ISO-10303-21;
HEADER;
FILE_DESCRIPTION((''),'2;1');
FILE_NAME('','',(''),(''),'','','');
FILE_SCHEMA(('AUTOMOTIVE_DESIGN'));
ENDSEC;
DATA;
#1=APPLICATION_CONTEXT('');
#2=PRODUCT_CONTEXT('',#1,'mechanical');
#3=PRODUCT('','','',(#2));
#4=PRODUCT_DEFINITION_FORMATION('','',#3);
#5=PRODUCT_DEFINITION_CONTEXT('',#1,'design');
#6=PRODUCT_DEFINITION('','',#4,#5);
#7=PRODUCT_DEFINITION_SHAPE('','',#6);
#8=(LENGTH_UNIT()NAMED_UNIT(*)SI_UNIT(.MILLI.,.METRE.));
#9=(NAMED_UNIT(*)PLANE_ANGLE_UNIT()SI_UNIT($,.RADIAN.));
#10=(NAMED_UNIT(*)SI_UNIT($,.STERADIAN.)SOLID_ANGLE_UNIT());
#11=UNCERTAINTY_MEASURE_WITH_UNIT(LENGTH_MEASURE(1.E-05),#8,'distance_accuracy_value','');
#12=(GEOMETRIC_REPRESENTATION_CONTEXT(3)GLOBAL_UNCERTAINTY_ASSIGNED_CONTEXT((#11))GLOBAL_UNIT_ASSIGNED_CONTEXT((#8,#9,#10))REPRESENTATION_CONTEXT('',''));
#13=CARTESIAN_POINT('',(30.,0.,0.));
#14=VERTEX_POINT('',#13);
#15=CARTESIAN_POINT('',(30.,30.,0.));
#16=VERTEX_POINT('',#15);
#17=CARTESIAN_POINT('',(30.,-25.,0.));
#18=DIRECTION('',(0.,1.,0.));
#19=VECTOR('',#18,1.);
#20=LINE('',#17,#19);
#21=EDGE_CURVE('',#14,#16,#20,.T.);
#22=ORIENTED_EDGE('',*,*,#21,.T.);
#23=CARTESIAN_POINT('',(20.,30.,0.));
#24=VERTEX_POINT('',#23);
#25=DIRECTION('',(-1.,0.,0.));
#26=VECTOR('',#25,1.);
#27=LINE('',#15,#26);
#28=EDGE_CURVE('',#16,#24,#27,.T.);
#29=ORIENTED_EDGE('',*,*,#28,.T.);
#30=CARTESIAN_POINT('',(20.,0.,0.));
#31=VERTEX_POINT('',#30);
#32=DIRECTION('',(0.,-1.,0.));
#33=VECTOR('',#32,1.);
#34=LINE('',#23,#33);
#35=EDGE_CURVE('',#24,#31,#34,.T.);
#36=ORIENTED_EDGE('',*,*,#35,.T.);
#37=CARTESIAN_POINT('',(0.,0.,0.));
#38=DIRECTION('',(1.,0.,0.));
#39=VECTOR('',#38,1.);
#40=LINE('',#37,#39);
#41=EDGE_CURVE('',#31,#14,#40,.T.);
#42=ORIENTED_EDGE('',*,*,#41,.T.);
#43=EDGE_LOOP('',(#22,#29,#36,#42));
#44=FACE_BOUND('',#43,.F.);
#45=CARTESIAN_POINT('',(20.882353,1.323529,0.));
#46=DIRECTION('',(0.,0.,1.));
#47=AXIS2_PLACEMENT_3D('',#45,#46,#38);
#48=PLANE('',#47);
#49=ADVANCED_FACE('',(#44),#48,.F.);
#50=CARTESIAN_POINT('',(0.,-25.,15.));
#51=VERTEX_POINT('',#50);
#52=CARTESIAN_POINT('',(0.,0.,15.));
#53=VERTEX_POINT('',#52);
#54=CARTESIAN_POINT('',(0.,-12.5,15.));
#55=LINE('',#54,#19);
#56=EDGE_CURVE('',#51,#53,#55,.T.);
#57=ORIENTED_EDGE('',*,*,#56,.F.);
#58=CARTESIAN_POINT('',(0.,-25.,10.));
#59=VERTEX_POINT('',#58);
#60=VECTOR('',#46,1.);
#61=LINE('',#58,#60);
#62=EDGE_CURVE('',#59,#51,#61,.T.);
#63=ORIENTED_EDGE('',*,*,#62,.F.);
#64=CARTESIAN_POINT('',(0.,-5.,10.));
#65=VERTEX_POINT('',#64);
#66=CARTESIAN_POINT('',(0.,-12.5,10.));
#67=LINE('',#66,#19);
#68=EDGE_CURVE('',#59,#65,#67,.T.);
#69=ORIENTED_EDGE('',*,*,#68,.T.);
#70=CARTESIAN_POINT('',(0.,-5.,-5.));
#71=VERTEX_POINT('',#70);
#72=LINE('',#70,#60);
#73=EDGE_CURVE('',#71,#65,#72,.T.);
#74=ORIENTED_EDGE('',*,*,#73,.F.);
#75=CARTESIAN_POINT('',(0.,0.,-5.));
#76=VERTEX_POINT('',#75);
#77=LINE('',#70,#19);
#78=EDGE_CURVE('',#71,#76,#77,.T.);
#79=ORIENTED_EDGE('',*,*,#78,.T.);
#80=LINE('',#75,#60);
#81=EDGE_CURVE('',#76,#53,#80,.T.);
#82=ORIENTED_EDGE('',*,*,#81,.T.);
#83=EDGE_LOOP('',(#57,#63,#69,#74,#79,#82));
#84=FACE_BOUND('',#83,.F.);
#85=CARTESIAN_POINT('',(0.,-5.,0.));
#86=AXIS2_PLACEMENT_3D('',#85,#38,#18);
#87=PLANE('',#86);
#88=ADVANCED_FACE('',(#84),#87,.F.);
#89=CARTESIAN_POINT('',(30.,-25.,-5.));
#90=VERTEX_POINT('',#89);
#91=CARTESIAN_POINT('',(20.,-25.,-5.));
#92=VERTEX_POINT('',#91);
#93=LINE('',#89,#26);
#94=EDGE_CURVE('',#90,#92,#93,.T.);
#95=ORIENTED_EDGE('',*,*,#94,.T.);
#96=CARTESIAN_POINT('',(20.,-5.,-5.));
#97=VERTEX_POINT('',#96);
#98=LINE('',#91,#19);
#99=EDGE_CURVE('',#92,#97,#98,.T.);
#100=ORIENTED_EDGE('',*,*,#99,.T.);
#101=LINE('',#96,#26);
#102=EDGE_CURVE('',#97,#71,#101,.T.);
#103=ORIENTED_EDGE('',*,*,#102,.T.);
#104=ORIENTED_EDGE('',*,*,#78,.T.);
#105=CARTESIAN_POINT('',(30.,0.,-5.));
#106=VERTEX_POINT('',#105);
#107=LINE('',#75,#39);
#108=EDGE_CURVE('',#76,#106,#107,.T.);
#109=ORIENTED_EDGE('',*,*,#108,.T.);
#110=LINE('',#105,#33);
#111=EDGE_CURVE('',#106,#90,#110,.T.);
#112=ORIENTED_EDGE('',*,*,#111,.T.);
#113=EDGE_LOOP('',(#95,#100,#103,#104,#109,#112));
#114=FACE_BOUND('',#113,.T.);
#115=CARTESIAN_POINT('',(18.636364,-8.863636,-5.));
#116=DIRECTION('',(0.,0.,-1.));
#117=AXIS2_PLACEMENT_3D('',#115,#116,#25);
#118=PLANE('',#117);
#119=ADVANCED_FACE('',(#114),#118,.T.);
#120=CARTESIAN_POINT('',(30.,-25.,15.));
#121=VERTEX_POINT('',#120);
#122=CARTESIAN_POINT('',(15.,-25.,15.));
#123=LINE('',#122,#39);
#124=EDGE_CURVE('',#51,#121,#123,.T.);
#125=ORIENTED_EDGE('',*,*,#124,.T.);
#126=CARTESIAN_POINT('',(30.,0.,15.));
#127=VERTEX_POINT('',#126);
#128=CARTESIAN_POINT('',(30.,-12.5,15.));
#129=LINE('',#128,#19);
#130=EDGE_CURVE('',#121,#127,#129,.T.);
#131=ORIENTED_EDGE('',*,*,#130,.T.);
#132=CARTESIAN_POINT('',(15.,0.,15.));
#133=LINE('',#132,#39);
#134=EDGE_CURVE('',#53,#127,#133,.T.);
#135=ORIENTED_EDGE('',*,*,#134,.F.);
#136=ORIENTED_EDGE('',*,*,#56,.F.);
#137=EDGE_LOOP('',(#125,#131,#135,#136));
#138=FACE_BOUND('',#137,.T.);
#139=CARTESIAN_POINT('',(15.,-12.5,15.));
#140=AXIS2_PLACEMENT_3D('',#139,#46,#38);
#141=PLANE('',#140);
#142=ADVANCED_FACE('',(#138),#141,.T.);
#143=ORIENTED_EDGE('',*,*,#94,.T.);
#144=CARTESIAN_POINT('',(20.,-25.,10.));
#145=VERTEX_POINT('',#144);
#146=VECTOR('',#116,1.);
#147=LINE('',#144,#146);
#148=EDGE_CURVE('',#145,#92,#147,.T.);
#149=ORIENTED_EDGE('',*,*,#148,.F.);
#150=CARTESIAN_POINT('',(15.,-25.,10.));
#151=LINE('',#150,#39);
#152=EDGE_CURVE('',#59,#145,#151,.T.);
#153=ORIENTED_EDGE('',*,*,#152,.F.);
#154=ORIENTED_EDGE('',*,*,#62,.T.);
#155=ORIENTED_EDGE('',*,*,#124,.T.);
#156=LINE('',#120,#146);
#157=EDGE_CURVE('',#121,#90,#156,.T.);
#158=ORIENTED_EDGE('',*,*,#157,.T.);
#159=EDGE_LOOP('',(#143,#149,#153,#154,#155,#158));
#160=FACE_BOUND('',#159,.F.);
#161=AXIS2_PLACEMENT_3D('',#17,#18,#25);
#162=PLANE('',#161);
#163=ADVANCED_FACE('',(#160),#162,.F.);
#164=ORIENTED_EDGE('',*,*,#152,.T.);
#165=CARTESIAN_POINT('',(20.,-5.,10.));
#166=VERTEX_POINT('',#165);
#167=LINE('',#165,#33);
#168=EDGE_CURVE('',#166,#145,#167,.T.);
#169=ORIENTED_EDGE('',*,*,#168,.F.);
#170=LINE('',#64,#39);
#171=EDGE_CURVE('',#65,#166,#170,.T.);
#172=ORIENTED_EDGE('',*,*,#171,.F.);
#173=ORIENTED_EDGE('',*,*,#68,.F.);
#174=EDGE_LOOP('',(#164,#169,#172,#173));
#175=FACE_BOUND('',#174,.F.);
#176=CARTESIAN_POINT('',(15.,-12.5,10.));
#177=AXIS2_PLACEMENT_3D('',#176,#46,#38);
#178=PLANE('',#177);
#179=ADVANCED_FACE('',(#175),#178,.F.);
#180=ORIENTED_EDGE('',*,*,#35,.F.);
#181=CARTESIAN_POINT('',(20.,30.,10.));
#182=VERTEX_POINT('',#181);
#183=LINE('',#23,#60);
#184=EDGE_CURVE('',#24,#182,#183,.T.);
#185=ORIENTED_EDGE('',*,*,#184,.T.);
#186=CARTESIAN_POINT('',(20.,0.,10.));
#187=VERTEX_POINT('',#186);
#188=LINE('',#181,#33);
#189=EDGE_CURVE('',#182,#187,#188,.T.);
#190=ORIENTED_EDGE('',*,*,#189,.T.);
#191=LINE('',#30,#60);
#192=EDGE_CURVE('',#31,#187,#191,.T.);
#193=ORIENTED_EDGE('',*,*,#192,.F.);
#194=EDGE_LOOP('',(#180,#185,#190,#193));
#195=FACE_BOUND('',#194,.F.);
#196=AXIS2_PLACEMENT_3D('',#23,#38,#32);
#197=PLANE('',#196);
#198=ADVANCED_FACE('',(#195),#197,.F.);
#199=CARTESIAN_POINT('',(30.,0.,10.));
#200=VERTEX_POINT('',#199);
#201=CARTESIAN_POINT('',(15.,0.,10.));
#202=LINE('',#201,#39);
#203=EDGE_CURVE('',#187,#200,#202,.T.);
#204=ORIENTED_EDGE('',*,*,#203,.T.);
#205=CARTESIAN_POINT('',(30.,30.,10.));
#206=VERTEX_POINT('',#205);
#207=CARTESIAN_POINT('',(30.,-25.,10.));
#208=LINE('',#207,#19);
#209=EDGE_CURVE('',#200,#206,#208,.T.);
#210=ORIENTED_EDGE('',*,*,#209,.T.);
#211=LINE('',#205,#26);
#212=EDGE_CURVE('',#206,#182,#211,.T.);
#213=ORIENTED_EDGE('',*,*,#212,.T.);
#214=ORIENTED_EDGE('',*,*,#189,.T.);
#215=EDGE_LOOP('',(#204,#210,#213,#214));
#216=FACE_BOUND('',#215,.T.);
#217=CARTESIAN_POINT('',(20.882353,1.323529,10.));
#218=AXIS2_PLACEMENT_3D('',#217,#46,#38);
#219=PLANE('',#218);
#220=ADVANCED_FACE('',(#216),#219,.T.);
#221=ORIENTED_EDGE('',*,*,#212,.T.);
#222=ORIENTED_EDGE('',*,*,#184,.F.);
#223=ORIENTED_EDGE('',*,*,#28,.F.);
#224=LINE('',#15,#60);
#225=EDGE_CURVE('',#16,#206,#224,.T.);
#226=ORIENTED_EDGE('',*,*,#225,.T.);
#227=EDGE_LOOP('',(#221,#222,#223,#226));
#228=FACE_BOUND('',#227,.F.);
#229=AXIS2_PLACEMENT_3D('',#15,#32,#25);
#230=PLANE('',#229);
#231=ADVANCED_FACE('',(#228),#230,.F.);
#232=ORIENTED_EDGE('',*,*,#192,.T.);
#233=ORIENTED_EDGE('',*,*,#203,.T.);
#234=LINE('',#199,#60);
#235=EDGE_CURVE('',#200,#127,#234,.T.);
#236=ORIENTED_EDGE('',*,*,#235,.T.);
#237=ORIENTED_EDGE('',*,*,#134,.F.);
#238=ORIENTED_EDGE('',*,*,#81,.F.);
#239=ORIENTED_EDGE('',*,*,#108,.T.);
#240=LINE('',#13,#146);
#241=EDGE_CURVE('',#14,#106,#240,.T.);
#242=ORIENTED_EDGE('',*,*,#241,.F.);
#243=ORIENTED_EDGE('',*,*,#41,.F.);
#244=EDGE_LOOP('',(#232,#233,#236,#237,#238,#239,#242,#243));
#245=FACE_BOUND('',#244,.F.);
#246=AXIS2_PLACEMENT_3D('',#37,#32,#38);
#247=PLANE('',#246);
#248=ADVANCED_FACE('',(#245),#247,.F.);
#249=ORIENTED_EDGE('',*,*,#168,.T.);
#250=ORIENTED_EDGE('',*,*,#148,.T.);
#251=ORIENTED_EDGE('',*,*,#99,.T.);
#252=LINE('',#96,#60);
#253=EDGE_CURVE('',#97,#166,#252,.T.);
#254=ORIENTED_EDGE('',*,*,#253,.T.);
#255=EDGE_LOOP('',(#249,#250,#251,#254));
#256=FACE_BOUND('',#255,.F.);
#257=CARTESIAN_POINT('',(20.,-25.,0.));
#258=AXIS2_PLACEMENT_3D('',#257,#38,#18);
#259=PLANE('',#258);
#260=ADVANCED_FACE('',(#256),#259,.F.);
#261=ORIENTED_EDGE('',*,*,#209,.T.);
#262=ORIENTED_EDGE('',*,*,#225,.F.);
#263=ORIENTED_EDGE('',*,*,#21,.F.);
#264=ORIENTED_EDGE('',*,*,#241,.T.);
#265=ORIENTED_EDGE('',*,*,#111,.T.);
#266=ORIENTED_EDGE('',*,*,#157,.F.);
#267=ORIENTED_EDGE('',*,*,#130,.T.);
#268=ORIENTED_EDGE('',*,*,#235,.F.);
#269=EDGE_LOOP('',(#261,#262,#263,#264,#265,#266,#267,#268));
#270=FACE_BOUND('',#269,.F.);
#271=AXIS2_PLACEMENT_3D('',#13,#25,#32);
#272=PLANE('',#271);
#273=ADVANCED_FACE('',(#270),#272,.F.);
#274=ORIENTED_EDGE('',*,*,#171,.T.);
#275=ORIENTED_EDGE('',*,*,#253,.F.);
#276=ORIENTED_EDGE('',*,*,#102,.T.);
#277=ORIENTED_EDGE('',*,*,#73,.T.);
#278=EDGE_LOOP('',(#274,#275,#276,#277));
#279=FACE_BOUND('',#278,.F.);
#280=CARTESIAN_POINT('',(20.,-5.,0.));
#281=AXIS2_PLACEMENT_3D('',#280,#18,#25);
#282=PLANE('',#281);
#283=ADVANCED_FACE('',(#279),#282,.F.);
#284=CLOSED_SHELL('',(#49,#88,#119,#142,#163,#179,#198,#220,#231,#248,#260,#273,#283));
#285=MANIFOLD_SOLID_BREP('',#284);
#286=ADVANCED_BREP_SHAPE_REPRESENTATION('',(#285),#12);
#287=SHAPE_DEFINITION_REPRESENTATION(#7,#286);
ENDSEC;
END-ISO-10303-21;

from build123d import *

# Parameters (mm, degrees)
BOSS_EXTRUDE3_DEPTH = 10
SKETCH5_W           = 30
SKETCH5_H           = 25
BOSS_EXTRUDE5_DEPTH = 5
BOSS_EXTRUDE7_DEPTH = 5


with BuildPart() as part:
    # Sketch3 → Boss-Extrude3 (new body)
    with BuildSketch(Plane.XY):
        Polygon((0, 0), (0, -5), (20, -5), (20, -25), (30, -25), (30, 30), (20, 30), (20, 0), align=None)
    extrude(amount=BOSS_EXTRUDE3_DEPTH)

    # Sketch5 → Boss-Extrude5 (add)
    with BuildSketch(Plane.XY.offset(10)):
        with Locations((15, -12.5)):
            Rectangle(SKETCH5_W, SKETCH5_H)
    extrude(amount=BOSS_EXTRUDE5_DEPTH)

    # Sketch7 → Boss-Extrude7 (add)
    with BuildSketch(Plane(origin=(0, 0, 0), x_dir=(-1, 0, 0), z_dir=(0, 0, -1))):
        Polygon((0, 0), (-20, 0), (-20.758888401, 0), (-30, 0), (-30, -25), (-20, -25), (-20, -5), (0, -5), align=None)
    extrude(amount=BOSS_EXTRUDE7_DEPTH)


solid = part.part
